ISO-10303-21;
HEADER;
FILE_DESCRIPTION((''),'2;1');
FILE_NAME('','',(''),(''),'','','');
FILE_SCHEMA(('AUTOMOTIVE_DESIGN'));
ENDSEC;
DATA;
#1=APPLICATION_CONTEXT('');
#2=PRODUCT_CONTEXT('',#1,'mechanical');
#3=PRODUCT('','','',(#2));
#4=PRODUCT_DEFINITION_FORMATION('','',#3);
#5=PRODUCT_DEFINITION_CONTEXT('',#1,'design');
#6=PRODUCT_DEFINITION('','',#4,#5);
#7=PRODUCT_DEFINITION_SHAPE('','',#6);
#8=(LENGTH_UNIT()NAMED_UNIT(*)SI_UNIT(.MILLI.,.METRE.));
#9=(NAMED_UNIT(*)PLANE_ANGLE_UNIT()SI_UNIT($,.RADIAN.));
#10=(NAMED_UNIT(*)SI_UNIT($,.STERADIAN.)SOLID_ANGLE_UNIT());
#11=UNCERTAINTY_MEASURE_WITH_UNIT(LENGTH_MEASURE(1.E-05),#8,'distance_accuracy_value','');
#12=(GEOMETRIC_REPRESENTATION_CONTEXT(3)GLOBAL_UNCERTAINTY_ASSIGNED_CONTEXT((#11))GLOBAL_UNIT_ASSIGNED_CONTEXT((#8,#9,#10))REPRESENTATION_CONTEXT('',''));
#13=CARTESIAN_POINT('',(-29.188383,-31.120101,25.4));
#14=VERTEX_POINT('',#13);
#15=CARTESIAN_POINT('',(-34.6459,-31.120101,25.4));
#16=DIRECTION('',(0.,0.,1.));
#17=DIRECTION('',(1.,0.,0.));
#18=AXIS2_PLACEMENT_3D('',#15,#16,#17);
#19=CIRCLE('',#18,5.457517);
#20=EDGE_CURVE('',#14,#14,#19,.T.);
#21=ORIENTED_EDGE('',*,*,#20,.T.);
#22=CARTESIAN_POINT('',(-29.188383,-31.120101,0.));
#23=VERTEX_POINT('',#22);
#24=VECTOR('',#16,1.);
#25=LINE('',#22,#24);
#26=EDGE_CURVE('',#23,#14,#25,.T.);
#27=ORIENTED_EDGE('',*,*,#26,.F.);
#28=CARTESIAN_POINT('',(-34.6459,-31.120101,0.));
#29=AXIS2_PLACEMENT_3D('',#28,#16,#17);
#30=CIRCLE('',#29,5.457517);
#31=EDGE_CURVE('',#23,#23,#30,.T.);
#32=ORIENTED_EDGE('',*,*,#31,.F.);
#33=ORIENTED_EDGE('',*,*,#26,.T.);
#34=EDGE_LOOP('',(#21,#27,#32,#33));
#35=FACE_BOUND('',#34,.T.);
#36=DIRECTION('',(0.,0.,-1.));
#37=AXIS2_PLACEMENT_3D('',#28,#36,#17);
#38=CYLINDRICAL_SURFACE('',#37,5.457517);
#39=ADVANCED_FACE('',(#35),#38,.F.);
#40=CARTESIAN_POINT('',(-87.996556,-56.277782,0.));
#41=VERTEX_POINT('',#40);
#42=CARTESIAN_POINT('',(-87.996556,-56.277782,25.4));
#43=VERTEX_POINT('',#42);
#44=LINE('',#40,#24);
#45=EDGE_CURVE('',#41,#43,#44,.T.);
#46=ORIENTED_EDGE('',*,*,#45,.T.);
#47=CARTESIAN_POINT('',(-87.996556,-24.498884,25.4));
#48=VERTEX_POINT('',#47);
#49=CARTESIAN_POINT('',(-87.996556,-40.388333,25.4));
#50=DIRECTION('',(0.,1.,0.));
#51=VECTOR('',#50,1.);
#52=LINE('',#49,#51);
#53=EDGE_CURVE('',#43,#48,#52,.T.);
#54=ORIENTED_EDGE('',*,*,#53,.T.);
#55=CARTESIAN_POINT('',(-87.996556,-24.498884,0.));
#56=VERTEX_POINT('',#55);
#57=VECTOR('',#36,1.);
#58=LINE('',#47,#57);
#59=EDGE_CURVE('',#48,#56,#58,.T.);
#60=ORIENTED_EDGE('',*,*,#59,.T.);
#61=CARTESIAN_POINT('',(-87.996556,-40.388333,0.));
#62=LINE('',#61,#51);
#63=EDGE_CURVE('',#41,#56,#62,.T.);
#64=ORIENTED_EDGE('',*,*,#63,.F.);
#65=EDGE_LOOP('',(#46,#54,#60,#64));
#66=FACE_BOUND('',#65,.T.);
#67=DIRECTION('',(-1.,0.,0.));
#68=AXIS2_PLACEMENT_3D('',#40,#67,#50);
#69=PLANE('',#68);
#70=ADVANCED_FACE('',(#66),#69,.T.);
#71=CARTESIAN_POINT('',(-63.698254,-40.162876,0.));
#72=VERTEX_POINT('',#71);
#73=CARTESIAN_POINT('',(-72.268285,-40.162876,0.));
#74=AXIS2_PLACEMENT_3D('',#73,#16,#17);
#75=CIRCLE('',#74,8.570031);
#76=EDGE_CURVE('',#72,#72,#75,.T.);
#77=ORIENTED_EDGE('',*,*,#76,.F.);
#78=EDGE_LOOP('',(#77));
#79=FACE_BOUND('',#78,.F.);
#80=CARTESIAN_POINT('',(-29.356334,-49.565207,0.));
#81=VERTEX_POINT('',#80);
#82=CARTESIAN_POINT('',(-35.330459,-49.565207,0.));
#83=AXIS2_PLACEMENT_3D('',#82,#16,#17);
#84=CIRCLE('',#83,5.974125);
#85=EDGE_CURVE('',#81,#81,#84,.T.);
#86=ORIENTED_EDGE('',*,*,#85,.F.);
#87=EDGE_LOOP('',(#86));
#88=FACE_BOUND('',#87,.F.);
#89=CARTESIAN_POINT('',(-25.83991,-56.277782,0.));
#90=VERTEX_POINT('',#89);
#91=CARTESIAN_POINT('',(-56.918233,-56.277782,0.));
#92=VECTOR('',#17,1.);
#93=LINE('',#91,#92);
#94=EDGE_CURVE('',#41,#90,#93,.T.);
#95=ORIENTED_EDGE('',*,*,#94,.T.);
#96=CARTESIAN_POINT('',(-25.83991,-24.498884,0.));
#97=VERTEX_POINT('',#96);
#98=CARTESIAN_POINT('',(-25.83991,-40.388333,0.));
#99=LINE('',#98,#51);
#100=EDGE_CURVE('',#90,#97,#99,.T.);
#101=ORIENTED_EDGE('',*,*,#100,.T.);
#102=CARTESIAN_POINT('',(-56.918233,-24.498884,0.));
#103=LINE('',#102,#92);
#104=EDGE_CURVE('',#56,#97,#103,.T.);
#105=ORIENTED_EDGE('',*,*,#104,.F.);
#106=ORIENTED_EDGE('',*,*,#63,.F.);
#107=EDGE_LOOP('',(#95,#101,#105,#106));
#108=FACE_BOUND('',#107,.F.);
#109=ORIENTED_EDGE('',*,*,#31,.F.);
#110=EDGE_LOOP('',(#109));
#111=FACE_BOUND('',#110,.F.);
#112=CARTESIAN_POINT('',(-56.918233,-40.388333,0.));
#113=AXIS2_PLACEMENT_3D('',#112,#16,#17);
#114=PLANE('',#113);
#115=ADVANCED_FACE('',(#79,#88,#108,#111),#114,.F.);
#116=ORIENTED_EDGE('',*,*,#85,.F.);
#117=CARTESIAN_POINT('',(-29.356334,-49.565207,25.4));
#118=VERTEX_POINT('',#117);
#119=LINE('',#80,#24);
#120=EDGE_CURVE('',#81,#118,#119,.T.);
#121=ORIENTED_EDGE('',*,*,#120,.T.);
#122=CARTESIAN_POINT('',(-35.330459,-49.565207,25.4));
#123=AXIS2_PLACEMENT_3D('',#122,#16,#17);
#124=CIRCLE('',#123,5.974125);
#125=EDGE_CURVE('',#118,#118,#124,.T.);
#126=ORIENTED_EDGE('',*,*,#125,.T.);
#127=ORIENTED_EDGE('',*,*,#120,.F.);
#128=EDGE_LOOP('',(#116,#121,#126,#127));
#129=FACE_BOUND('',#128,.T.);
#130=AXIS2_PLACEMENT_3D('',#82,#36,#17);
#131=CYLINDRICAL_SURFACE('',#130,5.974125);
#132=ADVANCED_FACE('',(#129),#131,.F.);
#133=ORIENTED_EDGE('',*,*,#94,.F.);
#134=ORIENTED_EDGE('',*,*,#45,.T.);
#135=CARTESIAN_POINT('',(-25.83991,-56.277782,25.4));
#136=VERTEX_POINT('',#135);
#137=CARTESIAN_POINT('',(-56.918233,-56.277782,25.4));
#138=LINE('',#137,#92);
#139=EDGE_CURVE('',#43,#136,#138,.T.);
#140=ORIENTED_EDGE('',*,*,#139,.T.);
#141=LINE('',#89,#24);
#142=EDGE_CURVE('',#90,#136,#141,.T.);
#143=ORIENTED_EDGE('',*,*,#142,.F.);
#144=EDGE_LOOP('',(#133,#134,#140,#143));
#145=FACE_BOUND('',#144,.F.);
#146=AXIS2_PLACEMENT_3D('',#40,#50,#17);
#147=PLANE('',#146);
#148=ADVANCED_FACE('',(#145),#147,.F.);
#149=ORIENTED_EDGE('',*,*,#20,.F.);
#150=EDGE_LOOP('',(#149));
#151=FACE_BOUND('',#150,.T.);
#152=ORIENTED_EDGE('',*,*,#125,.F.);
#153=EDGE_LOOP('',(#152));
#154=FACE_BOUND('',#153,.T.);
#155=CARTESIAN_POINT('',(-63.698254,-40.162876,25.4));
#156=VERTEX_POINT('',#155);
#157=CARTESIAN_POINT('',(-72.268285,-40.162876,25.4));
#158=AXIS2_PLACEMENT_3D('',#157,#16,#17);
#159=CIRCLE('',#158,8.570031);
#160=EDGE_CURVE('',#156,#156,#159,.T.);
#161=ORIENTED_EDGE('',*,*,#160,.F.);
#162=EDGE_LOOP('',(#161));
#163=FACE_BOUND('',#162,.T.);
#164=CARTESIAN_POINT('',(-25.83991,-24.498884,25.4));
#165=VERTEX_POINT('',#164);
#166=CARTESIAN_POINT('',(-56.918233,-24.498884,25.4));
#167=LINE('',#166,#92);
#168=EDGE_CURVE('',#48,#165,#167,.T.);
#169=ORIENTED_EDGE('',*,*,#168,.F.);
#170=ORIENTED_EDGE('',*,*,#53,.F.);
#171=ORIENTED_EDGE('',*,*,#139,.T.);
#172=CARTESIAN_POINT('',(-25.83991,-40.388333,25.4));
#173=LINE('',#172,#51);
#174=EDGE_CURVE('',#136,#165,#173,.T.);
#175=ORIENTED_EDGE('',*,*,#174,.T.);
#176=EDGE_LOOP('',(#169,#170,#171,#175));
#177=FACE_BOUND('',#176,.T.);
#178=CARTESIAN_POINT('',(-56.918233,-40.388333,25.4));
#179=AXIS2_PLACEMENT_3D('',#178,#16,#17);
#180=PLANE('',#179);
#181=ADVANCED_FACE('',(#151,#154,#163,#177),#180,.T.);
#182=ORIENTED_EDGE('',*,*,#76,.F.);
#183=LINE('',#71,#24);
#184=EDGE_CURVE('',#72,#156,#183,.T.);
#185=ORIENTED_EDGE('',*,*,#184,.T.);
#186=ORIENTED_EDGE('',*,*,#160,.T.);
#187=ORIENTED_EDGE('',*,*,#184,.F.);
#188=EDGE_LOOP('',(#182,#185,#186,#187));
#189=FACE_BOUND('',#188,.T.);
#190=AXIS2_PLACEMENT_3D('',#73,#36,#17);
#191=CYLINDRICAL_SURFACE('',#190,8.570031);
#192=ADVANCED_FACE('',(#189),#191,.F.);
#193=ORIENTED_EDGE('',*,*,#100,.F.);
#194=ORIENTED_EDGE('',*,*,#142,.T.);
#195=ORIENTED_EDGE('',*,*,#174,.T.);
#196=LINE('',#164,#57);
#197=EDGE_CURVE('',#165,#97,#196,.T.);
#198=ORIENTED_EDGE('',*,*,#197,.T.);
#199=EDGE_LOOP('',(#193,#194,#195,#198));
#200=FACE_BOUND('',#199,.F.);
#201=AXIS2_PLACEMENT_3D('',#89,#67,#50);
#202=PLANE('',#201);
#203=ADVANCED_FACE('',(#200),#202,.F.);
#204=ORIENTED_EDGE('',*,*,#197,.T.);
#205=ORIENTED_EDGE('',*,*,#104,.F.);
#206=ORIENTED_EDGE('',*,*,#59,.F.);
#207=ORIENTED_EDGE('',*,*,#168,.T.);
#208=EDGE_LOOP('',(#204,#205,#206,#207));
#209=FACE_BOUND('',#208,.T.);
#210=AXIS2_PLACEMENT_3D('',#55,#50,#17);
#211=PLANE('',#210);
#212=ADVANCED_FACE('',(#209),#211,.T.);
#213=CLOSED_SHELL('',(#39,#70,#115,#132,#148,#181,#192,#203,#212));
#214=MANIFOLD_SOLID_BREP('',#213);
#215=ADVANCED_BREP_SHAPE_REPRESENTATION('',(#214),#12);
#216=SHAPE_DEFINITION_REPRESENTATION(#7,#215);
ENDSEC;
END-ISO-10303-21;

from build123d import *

# Parameters (mm, degrees)
F0_W     = 62.156647
F0_H     = 31.778897
F0_R     = 5.974125
F0_R_2   = 8.570031
F0_R_3   = 5.457517
F1_DEPTH = 6.35
F2_DEPTH = 25.4


with BuildPart() as f1:
    # F0 (on Top) → F1 (new body)
    with BuildSketch(Plane.XY):
        with Locations((-56.918233, -40.388333)):
            Rectangle(F0_W, F0_H)
        with Locations((-35.330459, -49.565207)):
            Circle(F0_R, mode=Mode.SUBTRACT)
        with Locations((-72.268285, -40.162876)):
            Circle(F0_R_2, mode=Mode.SUBTRACT)
        with Locations((-34.6459, -31.120101)):
            Circle(F0_R_3, mode=Mode.SUBTRACT)
    extrude(amount=F1_DEPTH)

    # F0 (on Top) → F2 (join)
    with BuildSketch(Plane.XY):
        with Locations((-56.918233, -40.388333)):
            Rectangle(F0_W, F0_H)
        with Locations((-35.330459, -49.565207)):
            Circle(F0_R, mode=Mode.SUBTRACT)
        with Locations((-72.268285, -40.162876)):
            Circle(F0_R_2, mode=Mode.SUBTRACT)
        with Locations((-34.6459, -31.120101)):
            Circle(F0_R_3, mode=Mode.SUBTRACT)
    extrude(amount=F2_DEPTH)


solid = f1.part
